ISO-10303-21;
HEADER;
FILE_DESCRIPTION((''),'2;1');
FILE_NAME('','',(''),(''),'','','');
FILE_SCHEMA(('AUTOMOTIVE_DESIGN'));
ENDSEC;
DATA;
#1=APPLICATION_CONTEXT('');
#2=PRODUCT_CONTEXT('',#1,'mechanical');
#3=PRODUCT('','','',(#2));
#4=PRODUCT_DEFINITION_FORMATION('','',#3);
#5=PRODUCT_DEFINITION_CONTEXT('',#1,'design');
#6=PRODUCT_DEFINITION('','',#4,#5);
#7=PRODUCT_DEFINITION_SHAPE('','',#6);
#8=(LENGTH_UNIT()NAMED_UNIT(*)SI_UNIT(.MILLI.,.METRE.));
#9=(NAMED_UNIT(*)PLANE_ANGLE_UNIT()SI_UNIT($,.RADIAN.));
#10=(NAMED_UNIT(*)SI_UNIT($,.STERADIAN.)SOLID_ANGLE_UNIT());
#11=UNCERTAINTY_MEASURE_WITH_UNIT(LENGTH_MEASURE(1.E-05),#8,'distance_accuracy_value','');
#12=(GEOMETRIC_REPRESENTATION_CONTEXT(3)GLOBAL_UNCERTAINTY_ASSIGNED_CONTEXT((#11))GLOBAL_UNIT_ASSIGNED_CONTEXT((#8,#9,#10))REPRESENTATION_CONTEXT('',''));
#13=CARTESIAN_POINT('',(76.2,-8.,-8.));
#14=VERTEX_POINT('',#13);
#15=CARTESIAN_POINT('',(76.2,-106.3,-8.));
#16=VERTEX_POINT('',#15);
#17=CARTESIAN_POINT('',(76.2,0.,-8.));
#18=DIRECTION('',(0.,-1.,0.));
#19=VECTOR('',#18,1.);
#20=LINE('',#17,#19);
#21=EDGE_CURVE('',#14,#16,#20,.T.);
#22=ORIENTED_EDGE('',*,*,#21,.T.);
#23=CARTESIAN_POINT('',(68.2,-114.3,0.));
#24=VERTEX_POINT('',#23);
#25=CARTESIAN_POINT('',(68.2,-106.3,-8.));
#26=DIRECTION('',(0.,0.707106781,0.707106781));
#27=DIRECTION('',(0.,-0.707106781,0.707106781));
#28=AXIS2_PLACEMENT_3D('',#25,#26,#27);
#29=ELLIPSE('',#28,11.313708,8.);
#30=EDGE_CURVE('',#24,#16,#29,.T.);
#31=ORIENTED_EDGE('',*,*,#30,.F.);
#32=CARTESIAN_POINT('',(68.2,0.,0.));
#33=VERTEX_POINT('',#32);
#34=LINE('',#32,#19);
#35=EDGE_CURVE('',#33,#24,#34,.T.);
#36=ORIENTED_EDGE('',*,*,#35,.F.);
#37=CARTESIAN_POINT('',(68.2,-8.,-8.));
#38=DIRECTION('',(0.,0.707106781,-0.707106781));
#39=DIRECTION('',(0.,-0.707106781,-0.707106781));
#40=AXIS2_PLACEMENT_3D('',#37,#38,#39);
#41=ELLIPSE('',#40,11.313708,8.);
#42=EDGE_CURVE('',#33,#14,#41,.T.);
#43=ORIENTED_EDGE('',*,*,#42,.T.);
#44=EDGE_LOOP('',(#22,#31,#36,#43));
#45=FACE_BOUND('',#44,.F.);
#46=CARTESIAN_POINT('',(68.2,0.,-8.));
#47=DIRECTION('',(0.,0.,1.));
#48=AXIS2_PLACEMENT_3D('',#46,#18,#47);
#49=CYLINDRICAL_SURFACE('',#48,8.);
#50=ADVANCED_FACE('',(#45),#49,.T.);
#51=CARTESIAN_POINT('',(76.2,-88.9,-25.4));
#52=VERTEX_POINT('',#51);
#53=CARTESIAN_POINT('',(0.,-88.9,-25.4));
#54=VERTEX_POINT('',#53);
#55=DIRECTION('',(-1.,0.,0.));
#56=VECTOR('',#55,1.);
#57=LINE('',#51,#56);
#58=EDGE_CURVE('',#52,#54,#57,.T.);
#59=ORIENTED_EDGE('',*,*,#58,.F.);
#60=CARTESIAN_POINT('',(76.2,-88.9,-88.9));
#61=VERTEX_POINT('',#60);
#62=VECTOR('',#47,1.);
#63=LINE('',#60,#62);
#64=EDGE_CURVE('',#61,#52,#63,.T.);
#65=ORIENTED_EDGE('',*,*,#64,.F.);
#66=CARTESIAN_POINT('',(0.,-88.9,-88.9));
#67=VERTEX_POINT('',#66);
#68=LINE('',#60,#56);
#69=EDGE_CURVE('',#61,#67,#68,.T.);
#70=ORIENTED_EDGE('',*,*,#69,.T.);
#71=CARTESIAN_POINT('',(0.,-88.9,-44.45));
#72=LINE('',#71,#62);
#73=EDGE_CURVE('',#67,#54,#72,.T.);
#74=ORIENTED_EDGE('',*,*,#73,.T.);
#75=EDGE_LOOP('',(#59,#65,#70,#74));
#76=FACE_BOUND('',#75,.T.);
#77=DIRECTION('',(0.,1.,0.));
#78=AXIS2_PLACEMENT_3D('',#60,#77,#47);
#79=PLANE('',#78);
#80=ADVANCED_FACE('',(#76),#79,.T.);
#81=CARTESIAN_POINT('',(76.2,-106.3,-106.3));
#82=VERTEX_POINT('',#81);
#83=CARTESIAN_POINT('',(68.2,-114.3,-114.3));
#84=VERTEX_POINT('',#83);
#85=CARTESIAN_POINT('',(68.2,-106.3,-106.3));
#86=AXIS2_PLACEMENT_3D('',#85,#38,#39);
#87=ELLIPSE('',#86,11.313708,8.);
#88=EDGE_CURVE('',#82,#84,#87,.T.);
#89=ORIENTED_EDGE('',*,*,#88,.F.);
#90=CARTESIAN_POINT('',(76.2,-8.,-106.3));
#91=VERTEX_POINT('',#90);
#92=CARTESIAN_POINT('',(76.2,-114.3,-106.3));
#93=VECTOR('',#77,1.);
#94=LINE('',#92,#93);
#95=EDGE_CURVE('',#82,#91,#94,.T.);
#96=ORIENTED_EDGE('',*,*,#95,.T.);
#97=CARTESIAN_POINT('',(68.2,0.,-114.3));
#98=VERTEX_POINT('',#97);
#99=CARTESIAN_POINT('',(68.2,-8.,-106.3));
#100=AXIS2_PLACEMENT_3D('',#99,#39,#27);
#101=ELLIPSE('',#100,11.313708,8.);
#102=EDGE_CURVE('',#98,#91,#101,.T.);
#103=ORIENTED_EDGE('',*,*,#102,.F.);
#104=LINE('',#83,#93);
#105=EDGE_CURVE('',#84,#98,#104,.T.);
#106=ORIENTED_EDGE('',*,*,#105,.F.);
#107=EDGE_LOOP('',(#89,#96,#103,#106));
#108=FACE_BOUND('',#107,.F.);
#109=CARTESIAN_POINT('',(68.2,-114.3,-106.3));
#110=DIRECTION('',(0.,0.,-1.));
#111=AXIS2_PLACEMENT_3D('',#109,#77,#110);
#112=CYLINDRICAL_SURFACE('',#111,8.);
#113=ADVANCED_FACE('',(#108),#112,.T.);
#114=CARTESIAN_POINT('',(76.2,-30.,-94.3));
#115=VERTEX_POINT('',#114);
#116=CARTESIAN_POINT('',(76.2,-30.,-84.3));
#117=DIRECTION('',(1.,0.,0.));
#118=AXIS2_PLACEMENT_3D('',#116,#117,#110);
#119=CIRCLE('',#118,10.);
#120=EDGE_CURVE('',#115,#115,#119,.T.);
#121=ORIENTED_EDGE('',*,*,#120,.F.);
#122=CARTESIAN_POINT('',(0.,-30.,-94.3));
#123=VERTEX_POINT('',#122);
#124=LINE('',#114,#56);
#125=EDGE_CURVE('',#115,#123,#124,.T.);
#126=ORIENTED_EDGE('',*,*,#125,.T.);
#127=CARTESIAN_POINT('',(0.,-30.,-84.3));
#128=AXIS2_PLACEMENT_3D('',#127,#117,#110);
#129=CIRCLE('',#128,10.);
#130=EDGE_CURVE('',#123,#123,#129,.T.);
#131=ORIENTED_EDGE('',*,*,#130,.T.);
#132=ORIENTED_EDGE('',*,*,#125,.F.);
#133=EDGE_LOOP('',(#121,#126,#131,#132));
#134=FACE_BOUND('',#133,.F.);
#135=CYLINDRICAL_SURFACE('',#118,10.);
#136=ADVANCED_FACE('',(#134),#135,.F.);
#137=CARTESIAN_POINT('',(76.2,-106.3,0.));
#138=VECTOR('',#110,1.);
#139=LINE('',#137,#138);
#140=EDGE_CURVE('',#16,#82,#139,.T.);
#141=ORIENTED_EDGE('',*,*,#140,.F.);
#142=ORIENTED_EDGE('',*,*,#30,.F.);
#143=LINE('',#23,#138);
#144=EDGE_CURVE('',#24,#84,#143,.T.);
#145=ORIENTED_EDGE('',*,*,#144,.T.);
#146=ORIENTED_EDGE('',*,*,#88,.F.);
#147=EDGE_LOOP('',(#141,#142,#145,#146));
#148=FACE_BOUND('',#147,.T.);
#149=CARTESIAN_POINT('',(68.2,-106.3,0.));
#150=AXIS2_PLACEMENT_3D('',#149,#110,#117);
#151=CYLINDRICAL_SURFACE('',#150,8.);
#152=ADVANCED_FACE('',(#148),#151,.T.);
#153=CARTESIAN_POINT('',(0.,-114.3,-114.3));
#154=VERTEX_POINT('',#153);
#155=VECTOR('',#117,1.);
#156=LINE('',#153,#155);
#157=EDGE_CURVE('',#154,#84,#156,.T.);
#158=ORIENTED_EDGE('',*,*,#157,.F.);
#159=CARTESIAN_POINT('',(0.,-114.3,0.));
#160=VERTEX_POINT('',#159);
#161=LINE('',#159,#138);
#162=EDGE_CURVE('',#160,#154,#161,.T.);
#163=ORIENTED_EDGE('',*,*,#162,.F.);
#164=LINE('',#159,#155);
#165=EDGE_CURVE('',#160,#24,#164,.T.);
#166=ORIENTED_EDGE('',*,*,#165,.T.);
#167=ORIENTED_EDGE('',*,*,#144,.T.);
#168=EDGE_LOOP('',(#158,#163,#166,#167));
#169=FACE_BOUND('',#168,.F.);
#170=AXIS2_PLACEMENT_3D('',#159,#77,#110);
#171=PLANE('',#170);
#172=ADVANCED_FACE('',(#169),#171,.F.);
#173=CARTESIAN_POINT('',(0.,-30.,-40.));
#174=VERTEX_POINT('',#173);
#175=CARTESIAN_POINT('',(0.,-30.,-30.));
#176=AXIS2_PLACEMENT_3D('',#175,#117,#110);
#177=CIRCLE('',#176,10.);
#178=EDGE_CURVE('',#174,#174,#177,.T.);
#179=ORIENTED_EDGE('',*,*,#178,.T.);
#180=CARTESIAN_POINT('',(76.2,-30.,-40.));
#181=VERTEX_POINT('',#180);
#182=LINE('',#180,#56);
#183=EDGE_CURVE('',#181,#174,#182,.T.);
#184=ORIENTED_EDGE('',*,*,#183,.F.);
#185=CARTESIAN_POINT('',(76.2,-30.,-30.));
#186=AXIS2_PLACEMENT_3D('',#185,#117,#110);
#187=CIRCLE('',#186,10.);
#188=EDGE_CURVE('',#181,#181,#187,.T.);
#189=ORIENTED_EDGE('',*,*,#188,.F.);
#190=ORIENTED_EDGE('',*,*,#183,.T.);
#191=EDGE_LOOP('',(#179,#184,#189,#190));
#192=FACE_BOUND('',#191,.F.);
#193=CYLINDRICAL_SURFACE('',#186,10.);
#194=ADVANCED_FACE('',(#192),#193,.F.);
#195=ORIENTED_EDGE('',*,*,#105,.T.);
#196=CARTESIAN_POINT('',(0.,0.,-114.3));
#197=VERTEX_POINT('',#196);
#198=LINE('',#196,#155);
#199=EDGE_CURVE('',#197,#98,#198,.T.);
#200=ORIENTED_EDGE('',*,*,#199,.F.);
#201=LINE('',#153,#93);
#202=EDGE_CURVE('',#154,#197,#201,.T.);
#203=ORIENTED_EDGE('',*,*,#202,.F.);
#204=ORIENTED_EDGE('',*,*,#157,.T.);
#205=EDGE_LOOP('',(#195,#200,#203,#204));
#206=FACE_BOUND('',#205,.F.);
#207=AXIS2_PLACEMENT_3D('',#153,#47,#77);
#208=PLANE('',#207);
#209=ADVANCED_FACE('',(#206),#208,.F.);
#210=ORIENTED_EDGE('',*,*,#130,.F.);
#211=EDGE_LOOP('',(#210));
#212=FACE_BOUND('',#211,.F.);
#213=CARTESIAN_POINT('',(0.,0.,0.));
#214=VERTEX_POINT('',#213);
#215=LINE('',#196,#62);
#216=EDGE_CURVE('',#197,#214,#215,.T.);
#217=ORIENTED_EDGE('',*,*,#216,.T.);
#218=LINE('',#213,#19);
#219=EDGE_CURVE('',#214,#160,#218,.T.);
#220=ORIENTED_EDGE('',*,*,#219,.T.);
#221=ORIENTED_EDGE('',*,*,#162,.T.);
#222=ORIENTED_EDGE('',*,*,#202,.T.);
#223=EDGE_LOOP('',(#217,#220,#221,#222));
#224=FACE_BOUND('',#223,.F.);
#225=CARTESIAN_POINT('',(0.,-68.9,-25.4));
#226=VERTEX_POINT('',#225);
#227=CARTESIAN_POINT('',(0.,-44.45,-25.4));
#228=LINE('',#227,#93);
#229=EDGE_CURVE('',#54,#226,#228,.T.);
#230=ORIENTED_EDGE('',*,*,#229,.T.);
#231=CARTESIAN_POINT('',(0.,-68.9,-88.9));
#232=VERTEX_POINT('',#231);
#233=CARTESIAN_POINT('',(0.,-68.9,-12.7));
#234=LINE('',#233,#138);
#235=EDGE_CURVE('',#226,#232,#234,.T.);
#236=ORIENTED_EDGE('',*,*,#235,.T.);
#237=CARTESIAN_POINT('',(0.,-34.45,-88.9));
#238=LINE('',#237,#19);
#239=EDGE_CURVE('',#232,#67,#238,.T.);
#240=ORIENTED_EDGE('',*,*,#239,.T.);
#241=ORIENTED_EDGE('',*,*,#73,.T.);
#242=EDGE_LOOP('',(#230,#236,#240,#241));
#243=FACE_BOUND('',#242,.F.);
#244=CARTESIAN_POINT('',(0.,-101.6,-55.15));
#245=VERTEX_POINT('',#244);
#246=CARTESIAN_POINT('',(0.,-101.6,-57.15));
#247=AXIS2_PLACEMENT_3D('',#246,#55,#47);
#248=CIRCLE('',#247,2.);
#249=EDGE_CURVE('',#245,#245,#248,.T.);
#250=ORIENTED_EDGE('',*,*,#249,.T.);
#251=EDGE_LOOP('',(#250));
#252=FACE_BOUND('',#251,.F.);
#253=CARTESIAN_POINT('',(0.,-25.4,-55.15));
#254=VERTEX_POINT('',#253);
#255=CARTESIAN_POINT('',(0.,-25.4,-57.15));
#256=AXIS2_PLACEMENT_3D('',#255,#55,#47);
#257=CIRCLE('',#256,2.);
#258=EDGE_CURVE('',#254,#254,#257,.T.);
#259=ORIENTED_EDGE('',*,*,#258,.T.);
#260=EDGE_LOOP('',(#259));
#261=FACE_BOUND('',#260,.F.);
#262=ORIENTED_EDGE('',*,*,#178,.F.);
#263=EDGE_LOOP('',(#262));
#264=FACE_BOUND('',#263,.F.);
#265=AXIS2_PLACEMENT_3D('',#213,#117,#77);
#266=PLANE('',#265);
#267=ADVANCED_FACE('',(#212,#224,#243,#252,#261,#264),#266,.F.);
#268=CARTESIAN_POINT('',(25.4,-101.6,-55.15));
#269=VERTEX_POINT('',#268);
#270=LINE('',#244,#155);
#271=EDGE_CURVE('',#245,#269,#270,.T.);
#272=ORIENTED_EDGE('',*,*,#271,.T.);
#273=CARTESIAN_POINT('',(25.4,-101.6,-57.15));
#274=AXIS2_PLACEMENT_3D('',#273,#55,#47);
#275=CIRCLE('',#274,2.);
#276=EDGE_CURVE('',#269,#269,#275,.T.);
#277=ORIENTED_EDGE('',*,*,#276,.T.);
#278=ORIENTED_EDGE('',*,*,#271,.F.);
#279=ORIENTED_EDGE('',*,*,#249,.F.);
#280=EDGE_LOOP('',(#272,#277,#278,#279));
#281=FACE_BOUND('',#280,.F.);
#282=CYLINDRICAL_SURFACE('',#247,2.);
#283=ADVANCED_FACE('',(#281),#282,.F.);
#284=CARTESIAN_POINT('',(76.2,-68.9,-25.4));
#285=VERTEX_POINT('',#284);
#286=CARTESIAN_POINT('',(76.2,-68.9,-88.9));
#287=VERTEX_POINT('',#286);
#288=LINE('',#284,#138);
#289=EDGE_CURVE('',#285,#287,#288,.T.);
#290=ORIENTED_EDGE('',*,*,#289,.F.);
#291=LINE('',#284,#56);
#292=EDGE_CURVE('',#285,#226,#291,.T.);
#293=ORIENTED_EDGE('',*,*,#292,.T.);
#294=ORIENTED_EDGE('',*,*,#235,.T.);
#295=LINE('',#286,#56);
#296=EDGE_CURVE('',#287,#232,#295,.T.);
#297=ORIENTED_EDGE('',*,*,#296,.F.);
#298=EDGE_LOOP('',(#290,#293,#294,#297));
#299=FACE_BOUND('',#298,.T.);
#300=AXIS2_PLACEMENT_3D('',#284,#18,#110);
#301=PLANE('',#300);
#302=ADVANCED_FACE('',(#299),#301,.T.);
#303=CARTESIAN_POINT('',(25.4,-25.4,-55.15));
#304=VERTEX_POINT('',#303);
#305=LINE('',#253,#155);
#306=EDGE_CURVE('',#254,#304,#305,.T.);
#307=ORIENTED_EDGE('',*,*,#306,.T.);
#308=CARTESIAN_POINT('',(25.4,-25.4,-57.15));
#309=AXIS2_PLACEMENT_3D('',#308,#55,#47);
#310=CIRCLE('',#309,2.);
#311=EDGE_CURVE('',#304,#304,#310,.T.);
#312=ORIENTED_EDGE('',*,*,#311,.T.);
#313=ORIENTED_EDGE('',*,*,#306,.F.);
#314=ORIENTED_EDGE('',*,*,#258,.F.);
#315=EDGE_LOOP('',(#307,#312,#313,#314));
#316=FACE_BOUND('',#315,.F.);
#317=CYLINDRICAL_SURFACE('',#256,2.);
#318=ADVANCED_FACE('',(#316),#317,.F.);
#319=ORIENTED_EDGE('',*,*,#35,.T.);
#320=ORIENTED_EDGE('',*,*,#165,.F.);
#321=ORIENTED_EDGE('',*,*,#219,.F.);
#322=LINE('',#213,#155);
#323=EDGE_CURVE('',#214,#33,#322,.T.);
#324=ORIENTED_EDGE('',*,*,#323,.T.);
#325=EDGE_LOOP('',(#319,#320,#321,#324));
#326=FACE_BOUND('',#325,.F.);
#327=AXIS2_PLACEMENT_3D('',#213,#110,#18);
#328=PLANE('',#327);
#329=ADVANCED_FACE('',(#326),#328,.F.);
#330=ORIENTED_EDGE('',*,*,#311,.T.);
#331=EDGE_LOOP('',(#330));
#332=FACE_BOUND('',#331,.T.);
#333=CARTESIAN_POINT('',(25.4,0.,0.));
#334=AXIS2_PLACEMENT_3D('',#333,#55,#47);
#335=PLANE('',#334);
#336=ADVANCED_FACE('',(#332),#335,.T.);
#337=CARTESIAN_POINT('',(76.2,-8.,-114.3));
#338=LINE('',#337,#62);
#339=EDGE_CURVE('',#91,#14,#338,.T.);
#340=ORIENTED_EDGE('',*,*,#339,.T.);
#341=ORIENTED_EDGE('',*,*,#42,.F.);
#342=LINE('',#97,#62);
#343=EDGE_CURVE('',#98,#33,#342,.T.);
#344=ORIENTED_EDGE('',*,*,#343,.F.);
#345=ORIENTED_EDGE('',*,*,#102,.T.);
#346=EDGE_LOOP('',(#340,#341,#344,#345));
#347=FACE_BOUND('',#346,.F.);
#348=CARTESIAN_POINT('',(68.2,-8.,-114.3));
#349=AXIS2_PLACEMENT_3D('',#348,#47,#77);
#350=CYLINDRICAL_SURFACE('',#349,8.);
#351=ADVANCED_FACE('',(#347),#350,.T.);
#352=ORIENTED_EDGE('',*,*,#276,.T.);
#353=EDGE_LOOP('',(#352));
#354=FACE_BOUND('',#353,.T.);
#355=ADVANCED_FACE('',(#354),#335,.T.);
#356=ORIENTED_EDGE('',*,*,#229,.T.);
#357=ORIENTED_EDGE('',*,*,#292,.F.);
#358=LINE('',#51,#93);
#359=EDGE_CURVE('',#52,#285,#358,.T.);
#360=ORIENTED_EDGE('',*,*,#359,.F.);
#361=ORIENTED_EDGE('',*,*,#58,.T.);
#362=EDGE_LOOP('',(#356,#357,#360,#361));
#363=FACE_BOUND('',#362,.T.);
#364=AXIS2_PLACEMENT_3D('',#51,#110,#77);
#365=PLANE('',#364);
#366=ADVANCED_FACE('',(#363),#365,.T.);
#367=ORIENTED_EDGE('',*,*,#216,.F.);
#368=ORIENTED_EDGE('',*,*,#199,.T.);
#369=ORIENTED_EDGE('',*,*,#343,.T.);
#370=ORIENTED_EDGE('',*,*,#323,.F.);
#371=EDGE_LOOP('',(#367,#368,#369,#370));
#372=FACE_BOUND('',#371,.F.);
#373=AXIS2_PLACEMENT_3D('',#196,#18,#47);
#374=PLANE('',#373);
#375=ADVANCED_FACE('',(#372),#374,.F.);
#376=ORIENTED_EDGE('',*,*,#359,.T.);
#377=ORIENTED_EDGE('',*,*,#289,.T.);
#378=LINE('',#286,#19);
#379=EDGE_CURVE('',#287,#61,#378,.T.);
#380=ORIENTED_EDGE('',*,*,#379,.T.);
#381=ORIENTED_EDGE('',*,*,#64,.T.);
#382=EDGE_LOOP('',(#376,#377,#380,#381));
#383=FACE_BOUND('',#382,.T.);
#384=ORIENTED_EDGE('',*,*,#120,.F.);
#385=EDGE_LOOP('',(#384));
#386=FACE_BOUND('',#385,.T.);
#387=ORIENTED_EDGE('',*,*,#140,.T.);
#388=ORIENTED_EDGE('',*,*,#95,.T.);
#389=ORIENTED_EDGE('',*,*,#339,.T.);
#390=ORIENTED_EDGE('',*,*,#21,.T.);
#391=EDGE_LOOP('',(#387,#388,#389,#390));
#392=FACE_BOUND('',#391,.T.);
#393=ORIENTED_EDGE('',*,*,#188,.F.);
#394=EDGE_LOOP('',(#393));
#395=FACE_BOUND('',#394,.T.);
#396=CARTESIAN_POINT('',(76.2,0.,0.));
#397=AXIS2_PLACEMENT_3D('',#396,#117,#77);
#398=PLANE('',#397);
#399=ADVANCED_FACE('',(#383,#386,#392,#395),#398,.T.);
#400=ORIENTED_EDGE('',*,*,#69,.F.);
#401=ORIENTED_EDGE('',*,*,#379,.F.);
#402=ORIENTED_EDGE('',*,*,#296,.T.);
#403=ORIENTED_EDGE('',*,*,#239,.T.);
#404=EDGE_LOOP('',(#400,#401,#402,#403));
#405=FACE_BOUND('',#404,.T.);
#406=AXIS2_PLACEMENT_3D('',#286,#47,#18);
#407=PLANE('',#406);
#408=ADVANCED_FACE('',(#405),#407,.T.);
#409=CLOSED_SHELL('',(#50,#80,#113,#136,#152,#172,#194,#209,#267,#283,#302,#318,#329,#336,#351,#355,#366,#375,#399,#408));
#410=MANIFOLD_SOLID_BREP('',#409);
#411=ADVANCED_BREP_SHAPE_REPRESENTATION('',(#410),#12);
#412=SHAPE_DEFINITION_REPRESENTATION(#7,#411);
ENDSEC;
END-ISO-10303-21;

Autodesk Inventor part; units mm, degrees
ref_plane "YZ Plane" through (0, 0, 0) normal (1, 0, 0) x (0, 1, 0)
ref_plane "XZ Plane" through (0, 0, 0) normal (0, 1, 0) x (-1, 0, 0)
ref_plane "XY Plane" through (0, 0, 0) normal (0, 0, 1) x (1, 0, 0)
sketch "Sketch1" plane through (0, 0, 0) normal (1, 0, 0) x (0, 1, 0)
  line L0 (0, 0) -> (-114.3, 0)
  line L1 (-114.3, 0) -> (-114.3, -114.3)
  line L2 (-114.3, -114.3) -> (0, -114.3)
  line L3 (0, -114.3) -> (0, 0)
  dimension "d0" = 114.3
  dimension "d1" = 114.3
extrude "Extrusion1" add sketch "Sketch1" along normal blind 76.2
sketch "Sketch2" plane through (76.2, 0, 0) normal (1, 0, 0) x (0, 0, -1)
  circle A0 centre (30, -30) radius 10
  circle A1 centre (84.3, -30) radius 10
  line L0 (25.4, -68.9) -> (88.9, -68.9)
  line L1 (88.9, -68.9) -> (88.9, -88.9)
  line L2 (88.9, -88.9) -> (25.4, -88.9)
  line L3 (25.4, -88.9) -> (25.4, -68.9)
  line L4 (114.3, 0) -> (0, 0) projected
  line L5 (114.3, -114.3) -> (114.3, 0) projected
  line L6 (0, 0) -> (0, -114.3) projected
  line L7 (0, -114.3) -> (114.3, -114.3) projected
  dimension "d4" = 20
  dimension "d5" = 20
  dimension "d6" = 63.5
  dimension "d7" = 20
  dimension "d8" = 30
  dimension "d9" = 30
  dimension "d10" = 30
  dimension "d11" = 30
  dimension "d12" = 25.4
  dimension "d13" = 25.4
extrude "Extrusion2" cut sketch "Sketch2" against normal through all contours A0 | A1 | L0 L1 L2 L3
sketch "Sketch3" plane through (76.2, 0, 0) normal (1, 0, 0) x (0, 0, -1)
  point P0 (0, 0)
fillet "Fillet2" radius 8 4 edges at (76.2, -57.15, 0) (76.2, 0, -57.15) (76.2, -114.3, -57.15) (76.2, -57.15, -114.3)
sketch "Sketch4" plane through (76.2, 0, 0) normal (1, 0, 0) x (0, 0, -1)
  point P0 (0, 0)
sketch "Sketch5" plane through (0, 0, 0) normal (-1, 0, 0) x (0, 0, 1)
  circle A0 centre (-57.15, -25.4) radius 2
  circle A1 centre (-57.15, -101.6) radius 2
  line L0 (-114.3, 0) -> (0, 0) projected
  line L1 (0, -114.3) -> (-114.3, -114.3) projected
  line L2 (-114.3, -114.3) -> (-114.3, 0) projected
  dimension "d18" = 4
  dimension "d19" = 4
  dimension "d20" = 25.4
  dimension "d21" = 12.7
  dimension "d22" = 57.15
  dimension "d23" = 57.15
extrude "Extrusion3" cut sketch "Sketch5" against normal blind 25.4
properties part number "face" material "PBT Plastic"
